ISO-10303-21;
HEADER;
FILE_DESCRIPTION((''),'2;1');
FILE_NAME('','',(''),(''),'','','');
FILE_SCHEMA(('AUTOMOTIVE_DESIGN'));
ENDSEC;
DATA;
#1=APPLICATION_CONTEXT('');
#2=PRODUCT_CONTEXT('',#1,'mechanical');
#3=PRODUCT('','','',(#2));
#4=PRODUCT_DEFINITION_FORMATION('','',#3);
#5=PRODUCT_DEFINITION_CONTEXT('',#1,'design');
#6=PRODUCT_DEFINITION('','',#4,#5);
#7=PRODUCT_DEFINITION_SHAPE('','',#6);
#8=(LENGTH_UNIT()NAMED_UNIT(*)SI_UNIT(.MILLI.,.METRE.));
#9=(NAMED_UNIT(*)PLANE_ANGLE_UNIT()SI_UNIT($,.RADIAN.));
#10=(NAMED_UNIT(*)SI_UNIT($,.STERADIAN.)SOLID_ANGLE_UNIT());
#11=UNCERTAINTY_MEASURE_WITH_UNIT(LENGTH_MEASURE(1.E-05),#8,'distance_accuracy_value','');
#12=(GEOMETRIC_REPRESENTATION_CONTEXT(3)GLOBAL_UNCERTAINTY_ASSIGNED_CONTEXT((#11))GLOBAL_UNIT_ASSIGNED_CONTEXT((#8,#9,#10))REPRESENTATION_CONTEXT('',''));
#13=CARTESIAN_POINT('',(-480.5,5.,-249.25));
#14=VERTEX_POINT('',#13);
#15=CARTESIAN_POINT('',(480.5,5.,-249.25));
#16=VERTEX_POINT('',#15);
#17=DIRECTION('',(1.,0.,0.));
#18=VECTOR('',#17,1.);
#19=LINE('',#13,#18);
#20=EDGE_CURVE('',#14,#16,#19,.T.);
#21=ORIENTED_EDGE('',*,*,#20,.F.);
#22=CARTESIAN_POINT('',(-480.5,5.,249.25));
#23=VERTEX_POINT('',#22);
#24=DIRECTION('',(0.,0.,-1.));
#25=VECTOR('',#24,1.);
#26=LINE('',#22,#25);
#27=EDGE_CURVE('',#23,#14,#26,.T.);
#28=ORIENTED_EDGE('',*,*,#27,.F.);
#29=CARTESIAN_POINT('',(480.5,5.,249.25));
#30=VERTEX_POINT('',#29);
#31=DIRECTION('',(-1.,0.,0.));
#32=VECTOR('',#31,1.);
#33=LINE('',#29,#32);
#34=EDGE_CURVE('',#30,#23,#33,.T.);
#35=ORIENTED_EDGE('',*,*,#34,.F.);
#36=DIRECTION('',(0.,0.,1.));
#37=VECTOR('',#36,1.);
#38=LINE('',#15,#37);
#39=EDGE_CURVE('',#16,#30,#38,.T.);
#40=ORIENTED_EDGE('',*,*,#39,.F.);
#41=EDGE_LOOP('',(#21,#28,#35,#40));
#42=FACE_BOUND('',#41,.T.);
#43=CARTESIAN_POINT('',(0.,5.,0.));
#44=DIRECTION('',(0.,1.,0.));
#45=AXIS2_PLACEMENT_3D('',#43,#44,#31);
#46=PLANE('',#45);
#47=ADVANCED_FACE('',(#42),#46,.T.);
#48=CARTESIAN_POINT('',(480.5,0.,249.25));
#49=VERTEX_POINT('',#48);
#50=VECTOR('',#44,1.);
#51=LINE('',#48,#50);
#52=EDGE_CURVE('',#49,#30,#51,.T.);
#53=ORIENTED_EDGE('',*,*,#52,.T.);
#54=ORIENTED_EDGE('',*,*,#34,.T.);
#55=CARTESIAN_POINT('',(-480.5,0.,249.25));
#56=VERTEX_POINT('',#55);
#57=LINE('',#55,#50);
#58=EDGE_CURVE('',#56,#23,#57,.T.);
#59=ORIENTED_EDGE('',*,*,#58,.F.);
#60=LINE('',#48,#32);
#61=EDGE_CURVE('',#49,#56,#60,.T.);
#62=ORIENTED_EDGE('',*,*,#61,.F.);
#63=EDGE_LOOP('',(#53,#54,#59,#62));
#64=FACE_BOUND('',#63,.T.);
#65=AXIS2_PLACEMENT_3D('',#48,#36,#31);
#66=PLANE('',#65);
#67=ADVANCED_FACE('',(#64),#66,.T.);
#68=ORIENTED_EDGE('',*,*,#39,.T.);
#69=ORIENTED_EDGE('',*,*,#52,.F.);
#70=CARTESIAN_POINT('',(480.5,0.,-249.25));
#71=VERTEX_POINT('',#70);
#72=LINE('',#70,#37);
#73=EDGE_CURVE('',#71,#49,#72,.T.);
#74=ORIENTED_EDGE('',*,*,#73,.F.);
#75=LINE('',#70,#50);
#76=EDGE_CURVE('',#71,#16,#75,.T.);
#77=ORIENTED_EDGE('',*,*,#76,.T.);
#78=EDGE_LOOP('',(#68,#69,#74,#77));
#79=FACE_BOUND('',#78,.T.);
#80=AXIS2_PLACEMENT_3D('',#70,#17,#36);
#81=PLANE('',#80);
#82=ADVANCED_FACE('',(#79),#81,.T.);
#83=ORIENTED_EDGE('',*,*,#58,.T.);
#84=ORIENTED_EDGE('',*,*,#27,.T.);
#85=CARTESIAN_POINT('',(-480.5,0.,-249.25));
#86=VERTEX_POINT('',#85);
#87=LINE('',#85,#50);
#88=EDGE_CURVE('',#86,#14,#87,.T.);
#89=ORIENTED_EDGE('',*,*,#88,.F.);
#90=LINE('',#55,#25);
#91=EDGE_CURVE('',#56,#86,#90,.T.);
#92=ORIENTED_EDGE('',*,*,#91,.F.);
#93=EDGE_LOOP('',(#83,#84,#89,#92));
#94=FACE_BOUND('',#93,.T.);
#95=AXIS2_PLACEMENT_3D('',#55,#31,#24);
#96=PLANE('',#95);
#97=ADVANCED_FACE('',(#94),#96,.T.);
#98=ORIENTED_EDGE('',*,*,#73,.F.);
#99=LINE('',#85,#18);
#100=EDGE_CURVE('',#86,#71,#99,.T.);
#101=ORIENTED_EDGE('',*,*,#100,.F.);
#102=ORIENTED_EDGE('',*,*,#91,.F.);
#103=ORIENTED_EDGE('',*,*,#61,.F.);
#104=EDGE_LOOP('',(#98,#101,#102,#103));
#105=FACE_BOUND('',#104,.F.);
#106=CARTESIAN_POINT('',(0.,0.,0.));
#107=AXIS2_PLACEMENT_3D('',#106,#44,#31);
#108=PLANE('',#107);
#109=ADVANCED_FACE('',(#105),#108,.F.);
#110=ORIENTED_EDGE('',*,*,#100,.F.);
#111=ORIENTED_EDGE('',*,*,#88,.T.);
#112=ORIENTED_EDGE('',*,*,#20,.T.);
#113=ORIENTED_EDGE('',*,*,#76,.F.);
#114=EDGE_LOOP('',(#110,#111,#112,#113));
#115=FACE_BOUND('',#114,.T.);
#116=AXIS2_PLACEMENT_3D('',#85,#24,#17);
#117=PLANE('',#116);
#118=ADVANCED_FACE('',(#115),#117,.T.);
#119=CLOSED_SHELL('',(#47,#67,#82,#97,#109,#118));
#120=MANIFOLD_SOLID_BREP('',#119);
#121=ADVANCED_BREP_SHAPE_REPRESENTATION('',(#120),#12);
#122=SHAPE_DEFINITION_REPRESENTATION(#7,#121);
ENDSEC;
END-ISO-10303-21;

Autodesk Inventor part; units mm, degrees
ref_plane "YZ Plane" through (0, 0, 0) normal (1, 0, 0) x (0, 1, 0)
ref_plane "XZ Plane" through (0, 0, 0) normal (0, 1, 0) x (-1, 0, 0)
ref_plane "XY Plane" through (0, 0, 0) normal (0, 0, 1) x (1, 0, 0)
sketch "草图1" plane through (0, 0, 0) normal (0, 1, 0) x (-1, 0, 0)
  line L0 (-480.5, 249.25) -> (480.5, 249.25)
  line L1 (480.5, 249.25) -> (480.5, -249.25)
  line L2 (480.5, -249.25) -> (-480.5, -249.25)
  line L3 (-480.5, -249.25) -> (-480.5, 249.25)
  line L4 (-480.5, 249.25) -> (480.5, -249.25) construction
  line L5 (480.5, 249.25) -> (-480.5, -249.25) construction
  point P0 (0, 0)
  dimension "d0" = 961
  dimension "d1" = 498.5
extrude "拉伸1" add sketch "草图1" along normal blind 5
properties part number "盖板"
